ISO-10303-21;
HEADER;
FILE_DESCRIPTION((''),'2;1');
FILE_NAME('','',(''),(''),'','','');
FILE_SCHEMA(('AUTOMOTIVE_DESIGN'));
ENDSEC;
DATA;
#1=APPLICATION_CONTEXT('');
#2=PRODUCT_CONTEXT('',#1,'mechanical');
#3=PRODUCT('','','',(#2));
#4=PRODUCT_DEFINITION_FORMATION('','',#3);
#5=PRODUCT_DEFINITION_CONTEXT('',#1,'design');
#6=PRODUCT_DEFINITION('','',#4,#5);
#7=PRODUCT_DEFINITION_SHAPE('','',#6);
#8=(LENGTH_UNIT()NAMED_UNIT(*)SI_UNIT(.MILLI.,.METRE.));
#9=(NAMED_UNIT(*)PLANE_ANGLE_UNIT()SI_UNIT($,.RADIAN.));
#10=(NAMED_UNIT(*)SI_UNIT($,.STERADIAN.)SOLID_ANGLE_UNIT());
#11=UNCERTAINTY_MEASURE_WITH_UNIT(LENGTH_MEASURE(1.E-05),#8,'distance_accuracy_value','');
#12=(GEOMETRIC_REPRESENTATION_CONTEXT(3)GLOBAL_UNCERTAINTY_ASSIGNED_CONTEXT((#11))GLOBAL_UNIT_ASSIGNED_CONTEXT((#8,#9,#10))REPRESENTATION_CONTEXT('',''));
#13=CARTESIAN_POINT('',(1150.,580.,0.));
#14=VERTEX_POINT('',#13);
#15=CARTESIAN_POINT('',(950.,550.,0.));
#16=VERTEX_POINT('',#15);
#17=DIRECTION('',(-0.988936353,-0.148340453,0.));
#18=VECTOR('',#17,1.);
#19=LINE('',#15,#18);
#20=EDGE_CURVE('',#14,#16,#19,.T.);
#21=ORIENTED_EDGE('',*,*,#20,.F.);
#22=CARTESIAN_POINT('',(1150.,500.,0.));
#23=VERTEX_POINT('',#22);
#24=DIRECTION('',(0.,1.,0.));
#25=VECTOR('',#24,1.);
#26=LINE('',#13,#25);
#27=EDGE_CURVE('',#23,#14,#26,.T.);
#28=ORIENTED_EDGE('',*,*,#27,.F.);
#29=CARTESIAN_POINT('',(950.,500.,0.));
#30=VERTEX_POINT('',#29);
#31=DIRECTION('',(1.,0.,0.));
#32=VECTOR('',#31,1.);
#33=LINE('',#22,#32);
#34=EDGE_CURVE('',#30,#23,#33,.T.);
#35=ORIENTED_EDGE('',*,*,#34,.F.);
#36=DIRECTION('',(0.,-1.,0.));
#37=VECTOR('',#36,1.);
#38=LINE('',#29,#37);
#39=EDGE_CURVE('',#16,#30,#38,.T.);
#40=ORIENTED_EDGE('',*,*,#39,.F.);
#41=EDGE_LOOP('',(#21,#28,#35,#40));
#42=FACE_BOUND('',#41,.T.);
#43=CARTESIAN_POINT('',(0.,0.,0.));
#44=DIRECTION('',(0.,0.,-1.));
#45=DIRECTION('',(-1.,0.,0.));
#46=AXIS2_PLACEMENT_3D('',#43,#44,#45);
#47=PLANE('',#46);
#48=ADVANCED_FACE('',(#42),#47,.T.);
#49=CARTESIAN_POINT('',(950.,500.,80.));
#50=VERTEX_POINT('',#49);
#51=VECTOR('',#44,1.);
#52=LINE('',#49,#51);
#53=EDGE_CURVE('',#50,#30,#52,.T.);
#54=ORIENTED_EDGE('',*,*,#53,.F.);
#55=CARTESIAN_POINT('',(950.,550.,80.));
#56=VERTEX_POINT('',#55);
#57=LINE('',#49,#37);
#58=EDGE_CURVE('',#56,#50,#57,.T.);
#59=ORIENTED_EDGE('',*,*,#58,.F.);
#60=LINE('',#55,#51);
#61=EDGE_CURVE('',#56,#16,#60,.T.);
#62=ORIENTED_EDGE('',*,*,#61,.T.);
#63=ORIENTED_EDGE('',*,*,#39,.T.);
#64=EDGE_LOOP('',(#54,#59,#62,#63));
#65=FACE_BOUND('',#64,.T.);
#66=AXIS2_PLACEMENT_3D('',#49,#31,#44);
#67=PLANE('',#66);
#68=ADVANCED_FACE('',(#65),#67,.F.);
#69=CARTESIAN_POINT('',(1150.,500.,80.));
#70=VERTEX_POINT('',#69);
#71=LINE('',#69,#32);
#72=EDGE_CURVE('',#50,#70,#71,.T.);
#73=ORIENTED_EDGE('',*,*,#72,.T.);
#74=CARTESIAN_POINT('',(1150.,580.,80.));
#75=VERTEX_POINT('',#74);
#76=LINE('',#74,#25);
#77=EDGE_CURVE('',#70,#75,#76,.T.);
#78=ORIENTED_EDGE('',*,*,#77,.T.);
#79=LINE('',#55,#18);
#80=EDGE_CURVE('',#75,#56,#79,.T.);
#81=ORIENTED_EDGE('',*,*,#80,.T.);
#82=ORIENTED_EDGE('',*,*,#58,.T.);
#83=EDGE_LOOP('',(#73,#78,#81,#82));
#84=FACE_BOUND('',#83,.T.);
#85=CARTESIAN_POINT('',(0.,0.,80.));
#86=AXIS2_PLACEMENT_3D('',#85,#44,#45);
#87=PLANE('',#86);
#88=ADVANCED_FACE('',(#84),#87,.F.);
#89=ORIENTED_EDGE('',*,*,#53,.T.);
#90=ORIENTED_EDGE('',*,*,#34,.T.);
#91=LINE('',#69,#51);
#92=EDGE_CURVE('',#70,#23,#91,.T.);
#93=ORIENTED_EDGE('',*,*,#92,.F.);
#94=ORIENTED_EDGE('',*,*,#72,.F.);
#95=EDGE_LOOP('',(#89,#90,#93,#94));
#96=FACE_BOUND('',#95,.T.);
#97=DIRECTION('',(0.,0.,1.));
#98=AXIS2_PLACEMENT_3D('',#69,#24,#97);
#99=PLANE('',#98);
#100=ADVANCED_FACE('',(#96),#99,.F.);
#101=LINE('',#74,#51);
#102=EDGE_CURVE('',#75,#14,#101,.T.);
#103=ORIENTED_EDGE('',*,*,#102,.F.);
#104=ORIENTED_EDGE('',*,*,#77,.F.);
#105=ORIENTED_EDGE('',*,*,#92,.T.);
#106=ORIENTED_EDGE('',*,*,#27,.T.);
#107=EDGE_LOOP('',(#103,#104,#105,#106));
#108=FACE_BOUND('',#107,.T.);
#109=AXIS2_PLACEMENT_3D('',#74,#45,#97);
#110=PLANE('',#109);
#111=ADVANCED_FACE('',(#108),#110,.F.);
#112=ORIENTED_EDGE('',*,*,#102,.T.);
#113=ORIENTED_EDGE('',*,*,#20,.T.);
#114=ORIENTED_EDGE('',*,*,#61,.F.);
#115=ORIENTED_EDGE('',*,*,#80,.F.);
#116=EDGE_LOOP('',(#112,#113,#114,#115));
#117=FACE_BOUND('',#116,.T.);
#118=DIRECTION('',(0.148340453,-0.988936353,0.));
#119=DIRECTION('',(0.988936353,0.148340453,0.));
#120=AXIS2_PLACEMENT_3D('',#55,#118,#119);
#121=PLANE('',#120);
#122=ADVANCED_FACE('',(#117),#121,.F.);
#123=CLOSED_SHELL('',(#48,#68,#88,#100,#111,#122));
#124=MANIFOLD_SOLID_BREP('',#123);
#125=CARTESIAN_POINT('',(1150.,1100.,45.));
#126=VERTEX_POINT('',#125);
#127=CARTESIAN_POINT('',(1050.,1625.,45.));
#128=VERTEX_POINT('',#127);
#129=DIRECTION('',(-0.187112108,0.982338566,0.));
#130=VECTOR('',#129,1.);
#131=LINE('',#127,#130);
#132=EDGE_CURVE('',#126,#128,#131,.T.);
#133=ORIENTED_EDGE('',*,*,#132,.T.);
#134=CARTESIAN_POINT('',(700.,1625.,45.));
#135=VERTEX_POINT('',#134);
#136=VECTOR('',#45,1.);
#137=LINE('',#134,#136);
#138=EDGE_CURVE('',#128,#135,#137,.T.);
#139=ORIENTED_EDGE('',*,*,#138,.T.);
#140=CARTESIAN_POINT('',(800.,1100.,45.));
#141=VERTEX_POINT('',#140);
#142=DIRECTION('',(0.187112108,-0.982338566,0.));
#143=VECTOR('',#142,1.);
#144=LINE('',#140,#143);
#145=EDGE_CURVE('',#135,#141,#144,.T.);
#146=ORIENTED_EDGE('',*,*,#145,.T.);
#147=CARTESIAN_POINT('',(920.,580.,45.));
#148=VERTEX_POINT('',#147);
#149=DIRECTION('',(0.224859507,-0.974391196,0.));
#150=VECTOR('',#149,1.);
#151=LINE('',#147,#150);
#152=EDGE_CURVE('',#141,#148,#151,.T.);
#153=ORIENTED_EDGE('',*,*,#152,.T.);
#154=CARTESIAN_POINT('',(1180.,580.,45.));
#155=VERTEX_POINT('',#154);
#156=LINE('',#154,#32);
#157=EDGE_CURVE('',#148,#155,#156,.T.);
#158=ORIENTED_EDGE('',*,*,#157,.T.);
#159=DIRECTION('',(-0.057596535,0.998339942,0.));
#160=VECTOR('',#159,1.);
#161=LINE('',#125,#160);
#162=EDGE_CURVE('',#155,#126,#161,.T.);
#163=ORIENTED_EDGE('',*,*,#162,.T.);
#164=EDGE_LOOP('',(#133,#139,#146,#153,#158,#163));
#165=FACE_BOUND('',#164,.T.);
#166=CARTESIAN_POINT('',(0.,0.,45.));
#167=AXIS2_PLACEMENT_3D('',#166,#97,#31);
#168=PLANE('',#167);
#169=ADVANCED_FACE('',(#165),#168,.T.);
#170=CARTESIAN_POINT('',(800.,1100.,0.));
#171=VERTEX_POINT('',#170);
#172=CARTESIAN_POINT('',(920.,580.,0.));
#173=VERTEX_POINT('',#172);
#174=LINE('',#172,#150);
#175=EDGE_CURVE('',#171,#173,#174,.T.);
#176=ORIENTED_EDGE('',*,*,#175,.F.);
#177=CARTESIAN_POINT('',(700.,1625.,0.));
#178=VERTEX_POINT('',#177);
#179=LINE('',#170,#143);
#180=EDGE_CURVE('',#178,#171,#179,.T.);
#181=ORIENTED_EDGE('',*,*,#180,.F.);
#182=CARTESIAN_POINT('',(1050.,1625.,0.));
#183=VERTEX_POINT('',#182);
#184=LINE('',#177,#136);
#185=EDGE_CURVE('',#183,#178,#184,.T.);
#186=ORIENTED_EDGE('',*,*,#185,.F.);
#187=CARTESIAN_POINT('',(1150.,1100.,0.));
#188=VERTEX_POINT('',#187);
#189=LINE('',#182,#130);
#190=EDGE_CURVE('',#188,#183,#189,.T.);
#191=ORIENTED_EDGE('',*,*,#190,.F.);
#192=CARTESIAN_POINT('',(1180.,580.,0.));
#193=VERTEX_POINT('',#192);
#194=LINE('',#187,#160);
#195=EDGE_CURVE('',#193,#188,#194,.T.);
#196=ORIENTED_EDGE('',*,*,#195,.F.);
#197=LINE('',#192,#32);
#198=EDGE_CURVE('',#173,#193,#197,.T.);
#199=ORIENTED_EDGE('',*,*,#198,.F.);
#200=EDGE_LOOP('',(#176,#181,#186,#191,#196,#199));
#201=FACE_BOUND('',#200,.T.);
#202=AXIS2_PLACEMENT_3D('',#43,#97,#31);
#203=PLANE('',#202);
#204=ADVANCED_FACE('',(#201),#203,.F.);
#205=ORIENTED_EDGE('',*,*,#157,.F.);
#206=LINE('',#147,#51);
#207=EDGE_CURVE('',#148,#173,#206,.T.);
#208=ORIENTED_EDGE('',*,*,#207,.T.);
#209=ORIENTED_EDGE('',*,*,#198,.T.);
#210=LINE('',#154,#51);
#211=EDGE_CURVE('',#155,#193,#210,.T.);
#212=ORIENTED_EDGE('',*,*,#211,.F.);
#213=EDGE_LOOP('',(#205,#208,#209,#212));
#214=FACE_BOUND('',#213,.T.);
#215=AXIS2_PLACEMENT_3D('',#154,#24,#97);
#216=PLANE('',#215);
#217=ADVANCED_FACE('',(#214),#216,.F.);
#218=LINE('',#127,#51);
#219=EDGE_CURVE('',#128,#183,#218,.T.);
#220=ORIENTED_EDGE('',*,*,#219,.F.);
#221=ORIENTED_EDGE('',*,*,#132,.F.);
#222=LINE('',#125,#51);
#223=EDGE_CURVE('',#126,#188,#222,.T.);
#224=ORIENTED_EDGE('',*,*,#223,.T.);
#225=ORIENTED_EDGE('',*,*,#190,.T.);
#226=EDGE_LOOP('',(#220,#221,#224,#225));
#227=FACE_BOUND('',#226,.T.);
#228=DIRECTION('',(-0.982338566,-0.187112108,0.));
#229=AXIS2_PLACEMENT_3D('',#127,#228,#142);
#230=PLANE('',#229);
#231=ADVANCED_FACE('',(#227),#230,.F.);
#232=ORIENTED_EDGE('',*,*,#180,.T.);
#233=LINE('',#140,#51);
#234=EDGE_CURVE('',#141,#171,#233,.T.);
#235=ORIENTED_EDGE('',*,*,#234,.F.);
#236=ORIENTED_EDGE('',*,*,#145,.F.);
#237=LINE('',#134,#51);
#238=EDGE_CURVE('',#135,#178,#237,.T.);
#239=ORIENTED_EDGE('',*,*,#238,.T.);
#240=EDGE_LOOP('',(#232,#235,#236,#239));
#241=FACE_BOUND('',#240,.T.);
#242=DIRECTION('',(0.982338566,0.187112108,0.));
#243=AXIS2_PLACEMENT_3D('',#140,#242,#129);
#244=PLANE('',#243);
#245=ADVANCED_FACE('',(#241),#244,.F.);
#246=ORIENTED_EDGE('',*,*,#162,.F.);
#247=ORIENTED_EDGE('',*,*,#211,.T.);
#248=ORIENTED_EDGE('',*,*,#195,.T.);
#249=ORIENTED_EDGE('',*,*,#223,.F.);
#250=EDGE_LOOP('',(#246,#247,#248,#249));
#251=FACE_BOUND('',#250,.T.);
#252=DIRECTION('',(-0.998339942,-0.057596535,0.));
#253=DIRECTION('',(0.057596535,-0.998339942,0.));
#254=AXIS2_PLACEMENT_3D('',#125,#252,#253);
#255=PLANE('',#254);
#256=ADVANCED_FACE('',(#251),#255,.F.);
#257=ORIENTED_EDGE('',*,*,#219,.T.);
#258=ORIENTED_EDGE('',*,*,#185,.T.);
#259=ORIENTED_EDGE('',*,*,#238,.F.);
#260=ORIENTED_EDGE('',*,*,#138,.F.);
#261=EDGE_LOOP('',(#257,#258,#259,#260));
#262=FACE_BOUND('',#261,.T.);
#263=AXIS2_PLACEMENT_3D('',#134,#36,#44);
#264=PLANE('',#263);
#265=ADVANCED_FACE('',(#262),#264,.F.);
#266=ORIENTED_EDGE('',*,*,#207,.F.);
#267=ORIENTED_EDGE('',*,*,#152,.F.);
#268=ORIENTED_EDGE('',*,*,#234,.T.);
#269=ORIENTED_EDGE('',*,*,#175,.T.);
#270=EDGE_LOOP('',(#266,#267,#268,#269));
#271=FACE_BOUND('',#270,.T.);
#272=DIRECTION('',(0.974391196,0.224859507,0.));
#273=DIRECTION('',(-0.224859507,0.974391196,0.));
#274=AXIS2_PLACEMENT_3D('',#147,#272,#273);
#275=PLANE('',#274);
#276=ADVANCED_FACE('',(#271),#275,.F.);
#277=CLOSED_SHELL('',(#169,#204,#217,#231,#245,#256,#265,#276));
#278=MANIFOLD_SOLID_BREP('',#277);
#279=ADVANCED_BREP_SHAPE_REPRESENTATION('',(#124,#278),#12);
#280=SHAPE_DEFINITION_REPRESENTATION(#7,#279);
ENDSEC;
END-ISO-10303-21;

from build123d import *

# Parameters (mm, degrees)
BOSS_EXTRUDE1_DEPTH = 80
BOSS_EXTRUDE2_DEPTH = 45


with BuildPart() as part:
    # Sketch1 → Boss-Extrude1 (new body)
    with BuildSketch(Plane.XY):
        Polygon((950, 500), (950, 550), (1150, 580), (1150, 500), align=None)
    extrude(amount=BOSS_EXTRUDE1_DEPTH)


with BuildPart() as body_2:
    # Sketch2 → Boss-Extrude2 (new body)
    with BuildSketch(Plane.XY):
        Polygon((920, 580), (800, 1100), (700, 1625), (1050, 1625), (1150, 1100), (1180, 580), align=None)
    extrude(amount=BOSS_EXTRUDE2_DEPTH)


solid = Compound([part.part, body_2.part])
